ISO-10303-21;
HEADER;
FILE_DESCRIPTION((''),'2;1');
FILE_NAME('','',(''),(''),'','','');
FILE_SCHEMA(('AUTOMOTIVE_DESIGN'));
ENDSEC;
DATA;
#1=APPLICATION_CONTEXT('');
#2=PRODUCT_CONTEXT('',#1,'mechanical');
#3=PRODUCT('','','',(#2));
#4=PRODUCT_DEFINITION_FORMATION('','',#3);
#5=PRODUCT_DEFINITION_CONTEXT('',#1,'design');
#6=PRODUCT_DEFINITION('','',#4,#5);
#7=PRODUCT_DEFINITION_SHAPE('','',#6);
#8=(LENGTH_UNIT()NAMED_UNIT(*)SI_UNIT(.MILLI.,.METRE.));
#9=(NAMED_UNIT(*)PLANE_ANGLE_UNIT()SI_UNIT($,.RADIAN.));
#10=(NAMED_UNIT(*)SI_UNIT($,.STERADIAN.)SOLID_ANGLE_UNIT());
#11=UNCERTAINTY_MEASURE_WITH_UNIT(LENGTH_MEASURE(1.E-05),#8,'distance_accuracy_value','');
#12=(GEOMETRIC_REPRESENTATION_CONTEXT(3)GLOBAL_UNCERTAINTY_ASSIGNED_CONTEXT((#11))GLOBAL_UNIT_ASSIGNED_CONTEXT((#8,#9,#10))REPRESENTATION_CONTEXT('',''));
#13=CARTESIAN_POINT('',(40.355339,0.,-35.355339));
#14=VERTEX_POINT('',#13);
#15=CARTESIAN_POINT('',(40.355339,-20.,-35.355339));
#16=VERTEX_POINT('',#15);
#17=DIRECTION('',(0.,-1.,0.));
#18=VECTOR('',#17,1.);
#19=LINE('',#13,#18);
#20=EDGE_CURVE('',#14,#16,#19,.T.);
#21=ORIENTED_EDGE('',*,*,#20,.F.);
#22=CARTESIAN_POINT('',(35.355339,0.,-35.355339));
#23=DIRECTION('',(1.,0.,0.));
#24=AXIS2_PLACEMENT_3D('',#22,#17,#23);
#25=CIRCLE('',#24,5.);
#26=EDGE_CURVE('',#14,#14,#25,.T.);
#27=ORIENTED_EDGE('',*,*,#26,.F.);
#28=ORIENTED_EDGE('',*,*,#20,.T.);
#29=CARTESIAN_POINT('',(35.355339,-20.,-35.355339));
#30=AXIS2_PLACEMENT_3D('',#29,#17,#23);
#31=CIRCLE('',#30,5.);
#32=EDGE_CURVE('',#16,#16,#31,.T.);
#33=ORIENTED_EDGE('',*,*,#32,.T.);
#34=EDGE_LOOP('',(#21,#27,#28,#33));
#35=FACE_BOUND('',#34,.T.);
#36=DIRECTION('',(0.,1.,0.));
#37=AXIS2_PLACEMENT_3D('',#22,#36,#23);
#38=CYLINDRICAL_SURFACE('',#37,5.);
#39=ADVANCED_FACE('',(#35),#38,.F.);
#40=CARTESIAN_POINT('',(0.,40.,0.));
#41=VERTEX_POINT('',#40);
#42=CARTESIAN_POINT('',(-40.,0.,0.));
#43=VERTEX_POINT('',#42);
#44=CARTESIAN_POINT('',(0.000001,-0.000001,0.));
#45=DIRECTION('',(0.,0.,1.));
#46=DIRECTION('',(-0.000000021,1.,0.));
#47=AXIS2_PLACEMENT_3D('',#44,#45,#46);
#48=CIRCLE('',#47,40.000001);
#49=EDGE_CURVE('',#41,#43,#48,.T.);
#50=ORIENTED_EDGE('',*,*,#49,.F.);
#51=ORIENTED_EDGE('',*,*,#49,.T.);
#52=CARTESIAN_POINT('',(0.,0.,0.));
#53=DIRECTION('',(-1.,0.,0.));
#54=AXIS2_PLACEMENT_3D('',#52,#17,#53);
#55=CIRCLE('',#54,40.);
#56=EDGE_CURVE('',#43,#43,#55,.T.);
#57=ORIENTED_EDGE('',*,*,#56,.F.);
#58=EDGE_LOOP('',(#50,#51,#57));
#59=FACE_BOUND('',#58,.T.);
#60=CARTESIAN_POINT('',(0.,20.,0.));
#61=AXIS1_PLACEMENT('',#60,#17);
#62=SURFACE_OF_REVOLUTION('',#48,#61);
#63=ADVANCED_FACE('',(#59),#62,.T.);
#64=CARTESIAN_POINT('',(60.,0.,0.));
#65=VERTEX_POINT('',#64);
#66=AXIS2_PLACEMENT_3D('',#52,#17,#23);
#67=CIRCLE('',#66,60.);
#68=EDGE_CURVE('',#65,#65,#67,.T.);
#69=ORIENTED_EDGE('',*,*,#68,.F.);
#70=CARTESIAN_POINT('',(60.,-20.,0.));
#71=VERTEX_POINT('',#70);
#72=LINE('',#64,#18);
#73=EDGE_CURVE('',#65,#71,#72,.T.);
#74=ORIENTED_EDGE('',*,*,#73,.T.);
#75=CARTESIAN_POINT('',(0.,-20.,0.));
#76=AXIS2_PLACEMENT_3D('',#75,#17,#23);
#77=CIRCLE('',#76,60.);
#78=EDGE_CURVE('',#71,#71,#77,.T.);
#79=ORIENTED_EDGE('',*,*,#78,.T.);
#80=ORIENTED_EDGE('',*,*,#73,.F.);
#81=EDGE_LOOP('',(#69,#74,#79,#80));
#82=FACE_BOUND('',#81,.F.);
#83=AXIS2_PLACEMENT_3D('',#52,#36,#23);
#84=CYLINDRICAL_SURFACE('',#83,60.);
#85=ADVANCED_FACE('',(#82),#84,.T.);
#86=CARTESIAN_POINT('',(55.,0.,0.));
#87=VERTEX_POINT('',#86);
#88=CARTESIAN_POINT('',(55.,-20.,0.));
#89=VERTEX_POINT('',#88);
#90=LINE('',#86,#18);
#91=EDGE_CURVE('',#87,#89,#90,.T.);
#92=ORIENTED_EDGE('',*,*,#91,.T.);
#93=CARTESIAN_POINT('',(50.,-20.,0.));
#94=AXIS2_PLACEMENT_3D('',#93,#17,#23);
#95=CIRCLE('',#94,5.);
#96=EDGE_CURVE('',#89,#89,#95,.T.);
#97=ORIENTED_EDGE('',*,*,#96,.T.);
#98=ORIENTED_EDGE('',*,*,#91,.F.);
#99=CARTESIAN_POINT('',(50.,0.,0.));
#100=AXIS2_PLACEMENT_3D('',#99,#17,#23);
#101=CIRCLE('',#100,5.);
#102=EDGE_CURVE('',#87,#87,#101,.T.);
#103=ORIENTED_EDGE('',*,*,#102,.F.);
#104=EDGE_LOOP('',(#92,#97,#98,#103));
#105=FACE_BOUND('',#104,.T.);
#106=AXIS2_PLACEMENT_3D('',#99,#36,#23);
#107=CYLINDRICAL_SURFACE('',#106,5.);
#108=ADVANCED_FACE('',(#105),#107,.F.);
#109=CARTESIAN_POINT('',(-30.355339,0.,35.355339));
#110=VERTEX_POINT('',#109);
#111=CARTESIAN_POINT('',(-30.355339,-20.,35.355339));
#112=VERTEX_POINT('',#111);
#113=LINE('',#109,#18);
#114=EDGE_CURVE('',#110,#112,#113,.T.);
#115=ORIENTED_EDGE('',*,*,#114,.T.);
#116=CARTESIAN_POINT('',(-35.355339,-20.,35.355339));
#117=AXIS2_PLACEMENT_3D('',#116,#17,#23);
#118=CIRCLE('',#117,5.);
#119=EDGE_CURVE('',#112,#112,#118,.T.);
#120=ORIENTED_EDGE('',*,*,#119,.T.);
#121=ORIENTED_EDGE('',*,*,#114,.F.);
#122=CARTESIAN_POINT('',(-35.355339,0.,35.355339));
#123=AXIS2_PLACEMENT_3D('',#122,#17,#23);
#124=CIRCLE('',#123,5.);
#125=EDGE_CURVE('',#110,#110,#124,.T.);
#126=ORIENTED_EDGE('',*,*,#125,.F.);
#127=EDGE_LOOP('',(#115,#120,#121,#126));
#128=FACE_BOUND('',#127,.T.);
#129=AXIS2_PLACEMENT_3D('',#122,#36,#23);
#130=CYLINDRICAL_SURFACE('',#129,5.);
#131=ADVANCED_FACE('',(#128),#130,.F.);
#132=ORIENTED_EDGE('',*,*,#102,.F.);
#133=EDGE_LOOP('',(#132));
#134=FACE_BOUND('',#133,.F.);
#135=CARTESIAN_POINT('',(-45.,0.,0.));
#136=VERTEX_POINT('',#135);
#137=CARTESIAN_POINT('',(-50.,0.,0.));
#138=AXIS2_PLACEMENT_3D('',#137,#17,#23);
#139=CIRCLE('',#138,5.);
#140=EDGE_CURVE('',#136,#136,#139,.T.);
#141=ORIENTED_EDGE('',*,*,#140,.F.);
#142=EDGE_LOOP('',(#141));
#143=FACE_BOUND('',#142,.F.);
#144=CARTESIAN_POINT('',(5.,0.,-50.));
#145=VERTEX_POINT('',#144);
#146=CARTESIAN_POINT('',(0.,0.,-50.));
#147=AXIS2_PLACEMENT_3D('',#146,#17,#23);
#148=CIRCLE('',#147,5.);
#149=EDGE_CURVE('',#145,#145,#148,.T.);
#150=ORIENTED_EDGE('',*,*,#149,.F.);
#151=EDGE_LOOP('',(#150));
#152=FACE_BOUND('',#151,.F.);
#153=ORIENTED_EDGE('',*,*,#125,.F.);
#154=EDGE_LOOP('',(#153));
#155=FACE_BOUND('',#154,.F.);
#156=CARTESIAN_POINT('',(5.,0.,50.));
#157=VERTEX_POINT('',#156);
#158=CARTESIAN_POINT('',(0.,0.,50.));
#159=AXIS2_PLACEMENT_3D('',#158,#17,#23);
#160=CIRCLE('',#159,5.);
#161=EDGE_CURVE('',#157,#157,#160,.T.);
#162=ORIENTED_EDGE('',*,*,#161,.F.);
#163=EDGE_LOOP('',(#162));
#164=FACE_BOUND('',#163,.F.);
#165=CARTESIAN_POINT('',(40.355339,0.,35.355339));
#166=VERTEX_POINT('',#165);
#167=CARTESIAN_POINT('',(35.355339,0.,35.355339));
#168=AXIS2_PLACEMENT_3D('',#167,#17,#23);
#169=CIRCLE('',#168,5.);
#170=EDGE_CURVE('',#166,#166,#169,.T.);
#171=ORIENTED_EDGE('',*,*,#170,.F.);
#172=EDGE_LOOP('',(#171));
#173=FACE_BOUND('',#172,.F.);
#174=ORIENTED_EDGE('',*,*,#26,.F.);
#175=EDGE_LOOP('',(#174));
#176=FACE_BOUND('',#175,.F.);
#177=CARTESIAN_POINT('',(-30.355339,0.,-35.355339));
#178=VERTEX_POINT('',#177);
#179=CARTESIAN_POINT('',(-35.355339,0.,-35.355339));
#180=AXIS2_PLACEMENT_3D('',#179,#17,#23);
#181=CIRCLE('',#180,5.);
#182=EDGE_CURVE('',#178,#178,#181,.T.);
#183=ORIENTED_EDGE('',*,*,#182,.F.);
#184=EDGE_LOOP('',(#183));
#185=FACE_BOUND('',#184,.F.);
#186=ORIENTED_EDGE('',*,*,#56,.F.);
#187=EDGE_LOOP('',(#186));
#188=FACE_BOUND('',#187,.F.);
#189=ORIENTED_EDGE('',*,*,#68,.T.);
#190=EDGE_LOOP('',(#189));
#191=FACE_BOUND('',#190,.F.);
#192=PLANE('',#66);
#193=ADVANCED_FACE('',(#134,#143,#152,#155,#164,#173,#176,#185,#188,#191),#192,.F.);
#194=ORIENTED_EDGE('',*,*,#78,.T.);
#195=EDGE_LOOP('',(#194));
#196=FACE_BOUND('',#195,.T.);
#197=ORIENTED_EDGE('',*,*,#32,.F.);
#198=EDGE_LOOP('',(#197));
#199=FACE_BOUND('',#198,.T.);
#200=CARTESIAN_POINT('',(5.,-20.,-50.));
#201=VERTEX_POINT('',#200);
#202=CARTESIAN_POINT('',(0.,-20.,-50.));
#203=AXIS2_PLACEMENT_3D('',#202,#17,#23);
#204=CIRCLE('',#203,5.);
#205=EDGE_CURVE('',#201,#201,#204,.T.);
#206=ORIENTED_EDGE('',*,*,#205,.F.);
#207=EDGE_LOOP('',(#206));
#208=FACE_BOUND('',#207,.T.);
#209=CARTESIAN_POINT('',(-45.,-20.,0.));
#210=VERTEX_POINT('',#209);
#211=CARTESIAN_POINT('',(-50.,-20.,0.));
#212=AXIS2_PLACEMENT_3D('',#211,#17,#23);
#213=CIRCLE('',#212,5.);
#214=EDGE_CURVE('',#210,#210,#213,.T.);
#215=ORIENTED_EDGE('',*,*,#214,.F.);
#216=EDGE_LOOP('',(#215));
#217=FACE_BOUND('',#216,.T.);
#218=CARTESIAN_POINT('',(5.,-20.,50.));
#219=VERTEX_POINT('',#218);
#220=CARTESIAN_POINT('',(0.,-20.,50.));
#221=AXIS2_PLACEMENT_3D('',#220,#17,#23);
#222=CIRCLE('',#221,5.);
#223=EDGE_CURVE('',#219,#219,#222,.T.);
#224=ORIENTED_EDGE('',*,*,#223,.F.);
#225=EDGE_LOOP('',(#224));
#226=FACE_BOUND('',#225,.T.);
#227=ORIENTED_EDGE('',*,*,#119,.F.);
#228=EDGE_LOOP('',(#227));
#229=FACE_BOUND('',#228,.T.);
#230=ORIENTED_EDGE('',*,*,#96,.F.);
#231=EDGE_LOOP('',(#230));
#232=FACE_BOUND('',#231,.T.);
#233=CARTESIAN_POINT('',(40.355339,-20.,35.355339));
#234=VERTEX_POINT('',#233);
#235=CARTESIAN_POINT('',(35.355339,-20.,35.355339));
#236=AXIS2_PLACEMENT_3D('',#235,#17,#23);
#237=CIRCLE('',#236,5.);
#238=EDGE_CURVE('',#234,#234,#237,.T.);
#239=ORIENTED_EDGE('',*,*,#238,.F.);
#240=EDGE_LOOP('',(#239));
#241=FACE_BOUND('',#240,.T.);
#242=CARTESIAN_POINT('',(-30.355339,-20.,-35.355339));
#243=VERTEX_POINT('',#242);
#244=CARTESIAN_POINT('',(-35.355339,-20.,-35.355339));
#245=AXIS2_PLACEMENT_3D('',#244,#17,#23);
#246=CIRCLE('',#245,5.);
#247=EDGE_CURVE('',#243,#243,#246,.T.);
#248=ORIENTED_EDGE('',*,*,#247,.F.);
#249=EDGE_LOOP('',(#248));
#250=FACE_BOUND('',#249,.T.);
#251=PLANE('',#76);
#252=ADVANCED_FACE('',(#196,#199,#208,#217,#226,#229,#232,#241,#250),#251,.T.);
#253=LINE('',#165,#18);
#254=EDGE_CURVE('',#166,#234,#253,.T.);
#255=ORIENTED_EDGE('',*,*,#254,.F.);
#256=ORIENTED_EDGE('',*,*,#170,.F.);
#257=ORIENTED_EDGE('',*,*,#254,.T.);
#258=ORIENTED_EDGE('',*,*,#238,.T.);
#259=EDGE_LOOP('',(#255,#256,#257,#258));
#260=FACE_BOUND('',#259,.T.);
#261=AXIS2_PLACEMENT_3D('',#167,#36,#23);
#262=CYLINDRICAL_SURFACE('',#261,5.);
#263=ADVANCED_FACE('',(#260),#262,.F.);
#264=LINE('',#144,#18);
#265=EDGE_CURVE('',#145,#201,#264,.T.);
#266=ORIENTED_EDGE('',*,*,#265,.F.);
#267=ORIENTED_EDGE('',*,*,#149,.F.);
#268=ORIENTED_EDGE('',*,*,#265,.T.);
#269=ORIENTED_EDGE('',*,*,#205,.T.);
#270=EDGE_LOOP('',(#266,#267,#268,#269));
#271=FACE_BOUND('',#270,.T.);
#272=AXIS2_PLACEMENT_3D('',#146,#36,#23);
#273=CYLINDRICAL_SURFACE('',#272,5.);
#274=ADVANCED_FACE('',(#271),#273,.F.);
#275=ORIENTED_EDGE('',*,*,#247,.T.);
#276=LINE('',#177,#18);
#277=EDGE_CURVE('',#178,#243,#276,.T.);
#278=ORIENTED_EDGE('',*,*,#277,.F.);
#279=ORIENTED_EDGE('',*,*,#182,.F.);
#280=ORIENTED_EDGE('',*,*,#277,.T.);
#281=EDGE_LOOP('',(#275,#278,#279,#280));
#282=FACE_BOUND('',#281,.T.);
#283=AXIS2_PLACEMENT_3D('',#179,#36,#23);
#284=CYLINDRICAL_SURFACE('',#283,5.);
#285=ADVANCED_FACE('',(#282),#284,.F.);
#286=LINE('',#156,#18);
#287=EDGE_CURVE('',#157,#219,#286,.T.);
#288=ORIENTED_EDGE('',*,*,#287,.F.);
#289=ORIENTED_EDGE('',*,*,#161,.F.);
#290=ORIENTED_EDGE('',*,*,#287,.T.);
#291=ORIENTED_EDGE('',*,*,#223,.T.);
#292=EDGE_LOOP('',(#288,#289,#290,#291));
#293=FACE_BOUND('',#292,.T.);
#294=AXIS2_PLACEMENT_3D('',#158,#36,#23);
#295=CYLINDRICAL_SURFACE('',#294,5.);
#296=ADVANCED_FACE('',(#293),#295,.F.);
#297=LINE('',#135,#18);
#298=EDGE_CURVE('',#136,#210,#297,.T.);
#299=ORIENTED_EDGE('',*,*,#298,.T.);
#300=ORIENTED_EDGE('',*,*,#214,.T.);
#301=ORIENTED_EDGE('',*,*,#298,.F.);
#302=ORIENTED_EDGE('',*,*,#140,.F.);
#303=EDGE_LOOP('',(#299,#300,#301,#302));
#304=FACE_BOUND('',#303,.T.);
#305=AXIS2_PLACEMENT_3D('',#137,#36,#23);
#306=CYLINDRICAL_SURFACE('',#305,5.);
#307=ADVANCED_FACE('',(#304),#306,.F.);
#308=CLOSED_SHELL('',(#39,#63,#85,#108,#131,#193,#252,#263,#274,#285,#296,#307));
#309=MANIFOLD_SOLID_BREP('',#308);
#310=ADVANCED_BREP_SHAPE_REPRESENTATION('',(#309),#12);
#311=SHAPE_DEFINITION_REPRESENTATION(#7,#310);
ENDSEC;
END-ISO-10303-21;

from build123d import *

# Parameters (mm, degrees)
F0_R     = 60
F0_R_2   = 5
F1_DEPTH = 20


with BuildPart() as f1:
    # F0 (on Front) → F1 (new body)
    with BuildSketch(Plane.XZ):
        Circle(F0_R)
        with Locations((-35.355339, -35.355339)):
            Circle(F0_R_2, mode=Mode.SUBTRACT)
        with Locations((0, -50)):
            Circle(F0_R_2, mode=Mode.SUBTRACT)
        with Locations((35.355339, -35.355339)):
            Circle(F0_R_2, mode=Mode.SUBTRACT)
        with Locations((-50, 0)):
            Circle(F0_R_2, mode=Mode.SUBTRACT)
        with Locations((-35.355339, 35.355339)):
            Circle(F0_R_2, mode=Mode.SUBTRACT)
        with Locations((50, 0)):
            Circle(F0_R_2, mode=Mode.SUBTRACT)
        with Locations((0, 50)):
            Circle(F0_R_2, mode=Mode.SUBTRACT)
        with Locations((35.355339, 35.355339)):
            Circle(F0_R_2, mode=Mode.SUBTRACT)
    extrude(amount=F1_DEPTH)

    # F2 (on Top) → F3 (revolve)
    with BuildSketch(Plane.XY):
        with BuildLine():
            Line((-40, 0), (0, 0))
            Line((0, 0), (0, 40))
            ThreePointArc((0, 40), (-28.284271, 28.284271), (-40, 0))
        make_face()
    revolve(axis=Axis((0, 20, 0), (0, -1, 0)))


solid = f1.part
